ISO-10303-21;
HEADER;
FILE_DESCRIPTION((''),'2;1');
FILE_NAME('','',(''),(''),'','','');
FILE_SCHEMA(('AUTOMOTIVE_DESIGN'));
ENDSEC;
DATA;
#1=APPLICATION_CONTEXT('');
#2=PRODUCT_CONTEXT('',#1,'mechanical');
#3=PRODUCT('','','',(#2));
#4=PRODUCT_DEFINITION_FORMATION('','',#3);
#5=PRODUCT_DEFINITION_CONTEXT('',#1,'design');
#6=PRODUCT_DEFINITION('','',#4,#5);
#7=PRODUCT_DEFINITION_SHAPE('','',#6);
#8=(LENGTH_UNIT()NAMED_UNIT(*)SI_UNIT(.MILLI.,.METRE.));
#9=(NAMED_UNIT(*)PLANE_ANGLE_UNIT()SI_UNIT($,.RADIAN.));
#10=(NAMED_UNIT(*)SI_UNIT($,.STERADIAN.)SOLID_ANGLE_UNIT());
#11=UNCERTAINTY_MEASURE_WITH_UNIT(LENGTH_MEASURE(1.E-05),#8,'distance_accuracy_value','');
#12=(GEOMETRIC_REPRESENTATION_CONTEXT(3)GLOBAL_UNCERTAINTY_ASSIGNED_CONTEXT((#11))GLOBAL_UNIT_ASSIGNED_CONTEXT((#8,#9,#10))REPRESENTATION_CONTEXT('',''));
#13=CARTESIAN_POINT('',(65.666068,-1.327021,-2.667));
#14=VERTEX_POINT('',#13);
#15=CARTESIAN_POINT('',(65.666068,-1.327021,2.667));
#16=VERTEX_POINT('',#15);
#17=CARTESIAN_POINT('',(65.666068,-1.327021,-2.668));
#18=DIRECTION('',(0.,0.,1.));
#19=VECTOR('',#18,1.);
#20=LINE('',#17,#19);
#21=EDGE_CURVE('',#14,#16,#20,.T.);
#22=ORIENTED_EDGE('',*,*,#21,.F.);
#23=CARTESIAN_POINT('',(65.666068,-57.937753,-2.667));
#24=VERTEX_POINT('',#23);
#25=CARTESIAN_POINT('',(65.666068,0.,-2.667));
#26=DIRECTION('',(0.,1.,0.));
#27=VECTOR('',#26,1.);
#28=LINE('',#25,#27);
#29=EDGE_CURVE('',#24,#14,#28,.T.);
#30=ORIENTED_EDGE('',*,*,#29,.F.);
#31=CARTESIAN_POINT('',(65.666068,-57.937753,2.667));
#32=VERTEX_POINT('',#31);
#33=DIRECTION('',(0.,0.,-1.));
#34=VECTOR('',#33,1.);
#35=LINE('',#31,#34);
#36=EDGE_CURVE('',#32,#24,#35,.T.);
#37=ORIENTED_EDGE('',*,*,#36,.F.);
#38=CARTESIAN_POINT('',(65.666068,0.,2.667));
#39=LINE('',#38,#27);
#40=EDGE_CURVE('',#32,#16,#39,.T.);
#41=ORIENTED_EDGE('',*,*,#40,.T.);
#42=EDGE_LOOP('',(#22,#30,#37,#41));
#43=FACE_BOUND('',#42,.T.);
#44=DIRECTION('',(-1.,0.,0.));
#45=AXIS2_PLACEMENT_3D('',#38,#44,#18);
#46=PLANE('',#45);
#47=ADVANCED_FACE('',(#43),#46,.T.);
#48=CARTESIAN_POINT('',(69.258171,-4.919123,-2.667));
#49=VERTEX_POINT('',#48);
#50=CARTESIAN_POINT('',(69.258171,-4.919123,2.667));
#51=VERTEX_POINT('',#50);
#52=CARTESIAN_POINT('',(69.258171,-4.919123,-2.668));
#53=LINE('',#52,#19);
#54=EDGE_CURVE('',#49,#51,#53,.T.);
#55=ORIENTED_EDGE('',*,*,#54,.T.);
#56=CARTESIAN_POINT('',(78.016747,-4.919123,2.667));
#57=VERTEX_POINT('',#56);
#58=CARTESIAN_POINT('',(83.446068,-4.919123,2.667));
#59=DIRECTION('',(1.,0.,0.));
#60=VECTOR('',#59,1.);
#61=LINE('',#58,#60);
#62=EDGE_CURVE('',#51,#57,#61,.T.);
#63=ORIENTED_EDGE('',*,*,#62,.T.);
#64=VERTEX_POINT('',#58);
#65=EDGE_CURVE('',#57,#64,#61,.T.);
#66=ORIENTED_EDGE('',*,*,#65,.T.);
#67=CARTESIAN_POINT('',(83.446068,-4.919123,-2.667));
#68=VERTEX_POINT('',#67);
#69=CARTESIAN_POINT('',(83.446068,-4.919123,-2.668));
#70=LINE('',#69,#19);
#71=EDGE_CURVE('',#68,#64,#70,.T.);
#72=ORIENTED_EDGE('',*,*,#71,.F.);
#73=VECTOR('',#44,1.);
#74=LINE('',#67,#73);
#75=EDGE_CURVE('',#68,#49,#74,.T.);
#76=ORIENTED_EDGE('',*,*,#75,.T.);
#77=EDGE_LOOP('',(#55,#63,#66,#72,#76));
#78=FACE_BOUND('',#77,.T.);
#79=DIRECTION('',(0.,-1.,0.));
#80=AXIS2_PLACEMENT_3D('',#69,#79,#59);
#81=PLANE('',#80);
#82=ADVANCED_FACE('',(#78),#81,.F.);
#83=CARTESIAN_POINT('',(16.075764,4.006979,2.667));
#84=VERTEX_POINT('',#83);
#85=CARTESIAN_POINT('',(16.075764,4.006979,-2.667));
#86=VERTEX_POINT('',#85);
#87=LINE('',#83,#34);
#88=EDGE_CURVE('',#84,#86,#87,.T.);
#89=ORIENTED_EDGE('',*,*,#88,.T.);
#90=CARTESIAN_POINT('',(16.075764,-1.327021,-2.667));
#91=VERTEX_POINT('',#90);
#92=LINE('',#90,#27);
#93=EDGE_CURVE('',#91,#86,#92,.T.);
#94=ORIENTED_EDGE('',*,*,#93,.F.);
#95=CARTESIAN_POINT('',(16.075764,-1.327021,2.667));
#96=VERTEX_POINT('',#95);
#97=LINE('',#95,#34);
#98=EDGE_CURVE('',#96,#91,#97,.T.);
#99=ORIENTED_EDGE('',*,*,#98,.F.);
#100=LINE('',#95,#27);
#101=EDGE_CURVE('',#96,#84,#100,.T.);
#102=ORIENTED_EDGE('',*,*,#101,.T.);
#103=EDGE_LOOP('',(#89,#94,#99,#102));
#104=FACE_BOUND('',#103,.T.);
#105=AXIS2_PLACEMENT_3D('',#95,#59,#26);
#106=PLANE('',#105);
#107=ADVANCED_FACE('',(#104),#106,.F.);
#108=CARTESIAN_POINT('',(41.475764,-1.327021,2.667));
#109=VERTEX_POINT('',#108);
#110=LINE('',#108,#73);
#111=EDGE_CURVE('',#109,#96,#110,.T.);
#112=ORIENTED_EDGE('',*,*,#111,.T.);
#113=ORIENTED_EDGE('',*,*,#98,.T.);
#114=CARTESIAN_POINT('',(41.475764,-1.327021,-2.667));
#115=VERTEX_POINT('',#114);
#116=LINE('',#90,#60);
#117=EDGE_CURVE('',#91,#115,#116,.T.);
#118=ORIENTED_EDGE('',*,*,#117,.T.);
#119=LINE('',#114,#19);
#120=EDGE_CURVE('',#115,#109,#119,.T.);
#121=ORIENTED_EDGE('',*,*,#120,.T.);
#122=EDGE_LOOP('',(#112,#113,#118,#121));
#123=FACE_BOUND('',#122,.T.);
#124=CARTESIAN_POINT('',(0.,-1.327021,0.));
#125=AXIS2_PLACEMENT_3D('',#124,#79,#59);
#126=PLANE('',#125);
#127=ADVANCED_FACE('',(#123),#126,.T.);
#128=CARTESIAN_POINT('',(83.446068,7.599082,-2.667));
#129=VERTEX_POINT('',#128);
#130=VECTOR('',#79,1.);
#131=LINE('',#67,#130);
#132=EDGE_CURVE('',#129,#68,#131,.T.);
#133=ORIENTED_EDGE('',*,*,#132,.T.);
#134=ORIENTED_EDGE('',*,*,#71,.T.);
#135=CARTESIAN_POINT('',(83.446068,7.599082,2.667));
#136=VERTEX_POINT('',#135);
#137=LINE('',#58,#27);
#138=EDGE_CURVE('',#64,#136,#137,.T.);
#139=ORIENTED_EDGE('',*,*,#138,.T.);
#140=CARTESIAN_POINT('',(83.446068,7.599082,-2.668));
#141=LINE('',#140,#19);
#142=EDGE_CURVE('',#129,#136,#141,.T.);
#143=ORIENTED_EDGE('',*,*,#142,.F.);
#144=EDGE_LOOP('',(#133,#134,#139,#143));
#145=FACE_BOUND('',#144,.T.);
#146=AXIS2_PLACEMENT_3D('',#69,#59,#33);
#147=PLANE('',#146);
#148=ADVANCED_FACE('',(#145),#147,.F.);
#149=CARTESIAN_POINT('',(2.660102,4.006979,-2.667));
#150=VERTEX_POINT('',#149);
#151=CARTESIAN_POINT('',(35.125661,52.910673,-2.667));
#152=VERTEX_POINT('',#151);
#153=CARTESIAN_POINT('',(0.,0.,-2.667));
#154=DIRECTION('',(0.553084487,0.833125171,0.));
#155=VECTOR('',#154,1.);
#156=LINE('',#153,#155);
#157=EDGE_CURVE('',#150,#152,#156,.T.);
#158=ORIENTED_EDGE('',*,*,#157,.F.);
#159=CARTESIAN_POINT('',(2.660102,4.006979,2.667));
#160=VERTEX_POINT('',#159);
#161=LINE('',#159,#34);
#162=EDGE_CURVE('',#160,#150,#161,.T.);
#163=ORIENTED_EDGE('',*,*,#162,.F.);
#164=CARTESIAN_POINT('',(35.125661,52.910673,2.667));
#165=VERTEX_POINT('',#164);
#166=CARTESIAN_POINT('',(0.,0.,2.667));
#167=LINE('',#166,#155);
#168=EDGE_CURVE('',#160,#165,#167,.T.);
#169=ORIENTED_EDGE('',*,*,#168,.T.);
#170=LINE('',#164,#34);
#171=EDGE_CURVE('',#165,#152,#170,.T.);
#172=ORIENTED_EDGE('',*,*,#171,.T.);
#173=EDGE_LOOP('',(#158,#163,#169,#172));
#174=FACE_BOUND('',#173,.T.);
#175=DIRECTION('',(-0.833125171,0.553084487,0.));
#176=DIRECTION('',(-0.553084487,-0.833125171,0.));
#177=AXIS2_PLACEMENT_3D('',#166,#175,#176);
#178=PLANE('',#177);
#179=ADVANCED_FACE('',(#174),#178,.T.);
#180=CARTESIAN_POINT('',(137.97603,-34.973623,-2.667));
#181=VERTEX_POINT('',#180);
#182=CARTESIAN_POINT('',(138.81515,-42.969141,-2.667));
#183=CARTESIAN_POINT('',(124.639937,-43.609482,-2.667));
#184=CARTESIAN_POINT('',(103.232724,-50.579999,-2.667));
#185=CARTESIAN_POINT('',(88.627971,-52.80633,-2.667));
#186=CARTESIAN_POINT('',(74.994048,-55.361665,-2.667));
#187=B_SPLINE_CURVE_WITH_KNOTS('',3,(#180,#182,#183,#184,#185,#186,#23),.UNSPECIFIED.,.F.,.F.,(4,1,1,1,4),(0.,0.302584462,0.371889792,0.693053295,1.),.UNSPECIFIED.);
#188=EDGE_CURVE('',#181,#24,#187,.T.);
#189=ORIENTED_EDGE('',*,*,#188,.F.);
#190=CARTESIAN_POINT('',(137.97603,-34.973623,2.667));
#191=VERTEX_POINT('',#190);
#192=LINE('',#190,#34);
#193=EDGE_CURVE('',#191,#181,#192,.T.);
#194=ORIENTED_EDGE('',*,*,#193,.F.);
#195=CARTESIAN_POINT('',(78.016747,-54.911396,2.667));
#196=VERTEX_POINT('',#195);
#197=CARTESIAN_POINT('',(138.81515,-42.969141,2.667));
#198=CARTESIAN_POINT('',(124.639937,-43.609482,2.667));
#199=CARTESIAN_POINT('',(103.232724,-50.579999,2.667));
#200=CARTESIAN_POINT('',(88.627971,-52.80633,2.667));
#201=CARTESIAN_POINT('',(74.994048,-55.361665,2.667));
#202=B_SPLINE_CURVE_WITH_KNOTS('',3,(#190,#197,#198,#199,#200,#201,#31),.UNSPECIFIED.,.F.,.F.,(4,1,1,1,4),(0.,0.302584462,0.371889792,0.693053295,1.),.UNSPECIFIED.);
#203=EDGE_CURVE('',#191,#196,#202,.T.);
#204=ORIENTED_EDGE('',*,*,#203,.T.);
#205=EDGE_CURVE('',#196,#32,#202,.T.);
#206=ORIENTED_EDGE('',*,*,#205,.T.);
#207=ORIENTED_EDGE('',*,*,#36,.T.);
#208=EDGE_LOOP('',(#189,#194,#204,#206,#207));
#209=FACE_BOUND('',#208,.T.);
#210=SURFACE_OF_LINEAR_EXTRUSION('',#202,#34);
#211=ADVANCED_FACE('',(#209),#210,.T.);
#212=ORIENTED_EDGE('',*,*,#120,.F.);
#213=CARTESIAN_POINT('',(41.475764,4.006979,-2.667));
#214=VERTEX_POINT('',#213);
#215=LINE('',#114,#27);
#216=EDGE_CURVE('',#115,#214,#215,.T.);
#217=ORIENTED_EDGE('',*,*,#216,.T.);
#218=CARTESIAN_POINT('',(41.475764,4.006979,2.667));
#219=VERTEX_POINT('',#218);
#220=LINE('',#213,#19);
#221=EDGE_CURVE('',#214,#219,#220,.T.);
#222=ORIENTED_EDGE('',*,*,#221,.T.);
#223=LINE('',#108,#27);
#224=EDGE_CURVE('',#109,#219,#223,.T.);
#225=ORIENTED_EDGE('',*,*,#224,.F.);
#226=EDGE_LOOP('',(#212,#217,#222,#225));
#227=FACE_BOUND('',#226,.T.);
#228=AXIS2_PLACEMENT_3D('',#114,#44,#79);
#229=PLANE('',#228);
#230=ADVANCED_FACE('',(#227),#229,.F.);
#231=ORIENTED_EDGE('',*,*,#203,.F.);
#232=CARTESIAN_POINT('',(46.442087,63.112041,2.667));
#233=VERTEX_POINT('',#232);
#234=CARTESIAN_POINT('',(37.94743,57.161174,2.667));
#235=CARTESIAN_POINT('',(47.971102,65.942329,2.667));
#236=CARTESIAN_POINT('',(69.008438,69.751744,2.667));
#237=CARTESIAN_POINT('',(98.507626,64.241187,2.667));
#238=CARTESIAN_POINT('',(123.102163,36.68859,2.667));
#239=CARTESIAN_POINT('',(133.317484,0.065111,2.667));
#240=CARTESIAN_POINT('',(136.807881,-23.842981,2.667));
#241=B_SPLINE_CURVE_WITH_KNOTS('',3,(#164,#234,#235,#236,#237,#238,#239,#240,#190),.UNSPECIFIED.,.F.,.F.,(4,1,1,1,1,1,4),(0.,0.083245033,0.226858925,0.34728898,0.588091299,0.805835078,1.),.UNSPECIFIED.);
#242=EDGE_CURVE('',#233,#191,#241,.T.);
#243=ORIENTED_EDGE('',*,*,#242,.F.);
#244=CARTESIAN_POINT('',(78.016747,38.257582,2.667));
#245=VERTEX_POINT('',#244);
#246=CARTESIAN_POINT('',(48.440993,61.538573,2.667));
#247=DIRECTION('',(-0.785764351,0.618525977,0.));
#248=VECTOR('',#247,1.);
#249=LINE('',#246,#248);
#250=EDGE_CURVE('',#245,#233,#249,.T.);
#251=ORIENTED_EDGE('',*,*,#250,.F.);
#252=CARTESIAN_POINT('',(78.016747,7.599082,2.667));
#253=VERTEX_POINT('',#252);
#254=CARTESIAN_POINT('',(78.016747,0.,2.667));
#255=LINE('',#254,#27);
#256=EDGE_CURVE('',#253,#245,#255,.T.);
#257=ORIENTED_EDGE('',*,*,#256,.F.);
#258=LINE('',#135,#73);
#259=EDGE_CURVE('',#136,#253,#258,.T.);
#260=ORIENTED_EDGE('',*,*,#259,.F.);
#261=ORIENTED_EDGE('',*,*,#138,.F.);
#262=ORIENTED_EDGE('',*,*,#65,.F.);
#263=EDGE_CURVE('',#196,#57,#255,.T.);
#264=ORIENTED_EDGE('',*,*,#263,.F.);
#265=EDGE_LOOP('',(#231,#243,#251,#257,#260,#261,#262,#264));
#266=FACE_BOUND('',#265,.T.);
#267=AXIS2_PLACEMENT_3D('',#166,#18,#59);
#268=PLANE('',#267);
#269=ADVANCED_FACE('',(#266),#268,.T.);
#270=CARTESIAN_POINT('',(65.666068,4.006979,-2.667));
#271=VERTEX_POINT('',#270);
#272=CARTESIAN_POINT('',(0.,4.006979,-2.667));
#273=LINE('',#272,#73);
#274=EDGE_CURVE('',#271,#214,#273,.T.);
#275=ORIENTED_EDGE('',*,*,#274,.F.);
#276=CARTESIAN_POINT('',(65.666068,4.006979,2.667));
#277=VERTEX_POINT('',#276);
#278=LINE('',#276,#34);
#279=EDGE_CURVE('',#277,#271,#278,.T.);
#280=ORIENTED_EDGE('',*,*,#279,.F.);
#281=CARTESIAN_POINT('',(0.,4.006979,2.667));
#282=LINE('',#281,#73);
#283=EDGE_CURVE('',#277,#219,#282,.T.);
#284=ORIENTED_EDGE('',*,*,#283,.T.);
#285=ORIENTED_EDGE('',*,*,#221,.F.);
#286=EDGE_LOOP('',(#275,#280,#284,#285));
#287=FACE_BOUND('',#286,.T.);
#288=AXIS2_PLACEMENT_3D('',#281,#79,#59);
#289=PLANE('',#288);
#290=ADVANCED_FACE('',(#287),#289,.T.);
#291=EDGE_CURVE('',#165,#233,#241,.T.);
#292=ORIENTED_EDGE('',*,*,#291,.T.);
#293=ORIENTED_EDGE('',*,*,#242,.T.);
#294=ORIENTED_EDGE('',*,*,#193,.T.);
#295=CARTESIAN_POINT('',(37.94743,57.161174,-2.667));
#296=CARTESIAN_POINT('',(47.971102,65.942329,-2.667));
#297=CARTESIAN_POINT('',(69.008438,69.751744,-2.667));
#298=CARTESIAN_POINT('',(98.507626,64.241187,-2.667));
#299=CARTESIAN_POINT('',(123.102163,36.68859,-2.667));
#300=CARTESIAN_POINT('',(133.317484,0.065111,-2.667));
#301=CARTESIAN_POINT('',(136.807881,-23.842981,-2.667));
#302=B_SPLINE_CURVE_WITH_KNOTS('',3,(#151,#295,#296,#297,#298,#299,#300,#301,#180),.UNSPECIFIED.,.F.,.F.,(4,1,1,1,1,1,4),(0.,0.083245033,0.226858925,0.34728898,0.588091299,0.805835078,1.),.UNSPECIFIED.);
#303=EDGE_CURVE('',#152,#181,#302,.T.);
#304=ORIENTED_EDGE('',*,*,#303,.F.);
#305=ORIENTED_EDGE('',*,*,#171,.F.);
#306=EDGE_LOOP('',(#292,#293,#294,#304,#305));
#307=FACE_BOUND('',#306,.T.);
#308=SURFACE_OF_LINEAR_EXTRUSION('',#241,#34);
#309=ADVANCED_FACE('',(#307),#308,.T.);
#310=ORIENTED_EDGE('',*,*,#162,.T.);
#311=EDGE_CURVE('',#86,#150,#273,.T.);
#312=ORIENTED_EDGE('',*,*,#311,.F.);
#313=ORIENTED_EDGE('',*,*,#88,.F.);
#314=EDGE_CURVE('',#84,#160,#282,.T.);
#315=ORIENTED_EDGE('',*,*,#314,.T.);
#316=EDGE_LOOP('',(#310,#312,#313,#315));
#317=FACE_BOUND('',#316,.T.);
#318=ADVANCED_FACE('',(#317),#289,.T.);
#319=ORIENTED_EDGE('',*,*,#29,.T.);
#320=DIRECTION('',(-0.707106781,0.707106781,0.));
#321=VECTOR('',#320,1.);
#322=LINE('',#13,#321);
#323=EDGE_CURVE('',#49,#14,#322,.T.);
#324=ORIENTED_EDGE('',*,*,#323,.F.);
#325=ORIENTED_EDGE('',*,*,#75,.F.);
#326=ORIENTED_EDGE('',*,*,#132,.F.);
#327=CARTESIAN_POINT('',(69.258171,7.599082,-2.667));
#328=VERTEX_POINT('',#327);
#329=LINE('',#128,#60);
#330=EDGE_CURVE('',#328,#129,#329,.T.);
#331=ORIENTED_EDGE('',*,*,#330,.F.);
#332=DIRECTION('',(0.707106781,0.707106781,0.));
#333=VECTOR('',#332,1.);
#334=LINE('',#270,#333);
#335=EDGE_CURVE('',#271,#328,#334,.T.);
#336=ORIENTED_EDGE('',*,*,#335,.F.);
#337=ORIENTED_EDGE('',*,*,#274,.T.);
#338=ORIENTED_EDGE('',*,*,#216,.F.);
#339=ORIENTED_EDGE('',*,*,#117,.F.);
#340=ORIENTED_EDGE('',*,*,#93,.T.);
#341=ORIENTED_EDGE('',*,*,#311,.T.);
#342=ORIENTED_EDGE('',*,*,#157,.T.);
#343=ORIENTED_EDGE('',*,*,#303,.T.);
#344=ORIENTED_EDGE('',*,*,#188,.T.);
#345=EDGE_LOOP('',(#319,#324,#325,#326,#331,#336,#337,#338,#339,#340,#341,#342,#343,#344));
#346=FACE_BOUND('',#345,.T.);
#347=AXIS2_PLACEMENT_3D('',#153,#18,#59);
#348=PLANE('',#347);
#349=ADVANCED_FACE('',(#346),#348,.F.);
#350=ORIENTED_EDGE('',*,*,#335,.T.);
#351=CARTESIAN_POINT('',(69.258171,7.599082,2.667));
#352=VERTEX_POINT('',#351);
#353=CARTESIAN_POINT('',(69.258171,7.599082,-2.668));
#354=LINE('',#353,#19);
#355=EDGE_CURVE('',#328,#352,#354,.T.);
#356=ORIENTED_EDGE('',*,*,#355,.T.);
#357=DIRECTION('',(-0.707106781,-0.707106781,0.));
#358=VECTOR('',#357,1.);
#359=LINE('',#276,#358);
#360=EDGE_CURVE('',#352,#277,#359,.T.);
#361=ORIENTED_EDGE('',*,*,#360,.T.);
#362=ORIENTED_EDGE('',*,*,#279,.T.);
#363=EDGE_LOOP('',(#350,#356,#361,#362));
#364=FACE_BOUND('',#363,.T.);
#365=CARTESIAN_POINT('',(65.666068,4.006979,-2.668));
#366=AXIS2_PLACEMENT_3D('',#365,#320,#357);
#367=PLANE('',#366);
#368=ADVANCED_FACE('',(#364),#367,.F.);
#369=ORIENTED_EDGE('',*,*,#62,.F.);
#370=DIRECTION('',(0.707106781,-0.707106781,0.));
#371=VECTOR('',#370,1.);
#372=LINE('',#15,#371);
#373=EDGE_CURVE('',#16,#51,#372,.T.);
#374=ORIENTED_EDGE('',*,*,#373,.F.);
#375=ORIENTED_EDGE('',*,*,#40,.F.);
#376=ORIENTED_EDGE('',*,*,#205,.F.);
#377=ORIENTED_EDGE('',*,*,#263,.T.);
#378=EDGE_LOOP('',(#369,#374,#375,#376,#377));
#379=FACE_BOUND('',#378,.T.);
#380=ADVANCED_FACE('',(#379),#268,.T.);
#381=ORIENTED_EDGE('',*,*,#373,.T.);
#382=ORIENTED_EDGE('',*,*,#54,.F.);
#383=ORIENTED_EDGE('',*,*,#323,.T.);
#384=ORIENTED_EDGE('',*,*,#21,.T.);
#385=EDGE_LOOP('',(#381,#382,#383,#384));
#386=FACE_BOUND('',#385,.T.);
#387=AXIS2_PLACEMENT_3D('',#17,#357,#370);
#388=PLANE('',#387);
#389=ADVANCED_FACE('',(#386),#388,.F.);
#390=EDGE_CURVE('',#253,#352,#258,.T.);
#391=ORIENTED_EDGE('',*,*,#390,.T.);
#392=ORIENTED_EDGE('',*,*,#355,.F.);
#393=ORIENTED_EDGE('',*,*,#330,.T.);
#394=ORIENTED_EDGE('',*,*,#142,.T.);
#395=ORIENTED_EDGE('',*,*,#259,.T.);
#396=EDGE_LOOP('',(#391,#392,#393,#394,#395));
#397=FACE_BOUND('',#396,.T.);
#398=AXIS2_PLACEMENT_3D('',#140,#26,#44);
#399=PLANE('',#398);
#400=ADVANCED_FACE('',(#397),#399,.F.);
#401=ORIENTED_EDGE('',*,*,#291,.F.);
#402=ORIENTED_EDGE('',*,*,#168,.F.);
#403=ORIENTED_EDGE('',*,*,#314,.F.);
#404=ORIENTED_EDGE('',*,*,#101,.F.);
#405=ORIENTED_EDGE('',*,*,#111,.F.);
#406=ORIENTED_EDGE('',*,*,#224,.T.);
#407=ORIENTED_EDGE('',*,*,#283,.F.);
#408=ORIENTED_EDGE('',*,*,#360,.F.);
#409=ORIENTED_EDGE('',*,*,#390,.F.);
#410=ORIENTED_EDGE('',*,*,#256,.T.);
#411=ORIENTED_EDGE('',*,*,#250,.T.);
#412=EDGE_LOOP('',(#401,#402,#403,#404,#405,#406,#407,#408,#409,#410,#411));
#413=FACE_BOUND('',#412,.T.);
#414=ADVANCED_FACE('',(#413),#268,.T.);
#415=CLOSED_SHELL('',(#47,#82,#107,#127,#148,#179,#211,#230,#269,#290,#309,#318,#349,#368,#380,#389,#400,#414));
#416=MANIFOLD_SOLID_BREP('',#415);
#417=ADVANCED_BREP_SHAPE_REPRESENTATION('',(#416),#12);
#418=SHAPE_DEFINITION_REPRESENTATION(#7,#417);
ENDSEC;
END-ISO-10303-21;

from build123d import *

# Parameters (mm, degrees)
BOSS_EXTRUDE1_DEPTH       = 2.667
SKETCH2_W                 = 25.4
SKETCH2_H                 = 5.334
ELEVATOR_TAB_DEPTH        = 5.334
ELEVATOR_THROW_SLOT_REACH = 7.334


with BuildPart() as part:
    # Sketch1 → Boss-Extrude1 (new body, symmetric)
    with BuildSketch(Plane.XY):
        with BuildLine():
            Line((2.660102258, 4.006979402), (35.125661289, 52.910673204))
            add(Edge.make_bspline(
                [(35.125661289, 52.910673204), (37.94742964, 57.161174336), (47.971102481, 65.942329117), (69.008437841, 69.751744098), (98.507626417, 64.241187451), (123.102162867, 36.688590277), (133.317484482, 0.065110923), (136.807881475, -23.842980811), (137.976029916, -34.973623487)],
                knots=[0, 0, 0, 0, 0.083245033, 0.226858925, 0.34728898, 0.588091299, 0.805835078, 1, 1, 1, 1], degree=3))
            add(Edge.make_bspline(
                [(137.976029916, -34.973623487), (138.815150475, -42.969140814), (124.639937031, -43.609481638), (103.232724243, -50.579998556), (88.627971228, -52.80632971), (74.994048295, -55.361665029), (65.666068366, -57.937752933)],
                knots=[0, 0, 0, 0, 0.302584462, 0.371889792, 0.693053295, 1, 1, 1, 1], degree=3))
            Line((65.666068366, -57.937752933), (65.666068366, 0))
            Line((65.666068366, 0), (65.666068366, 4.006979402))
            Line((65.666068366, 4.006979402), (2.660102258, 4.006979402))
        make_face()
    extrude(amount=BOSS_EXTRUDE1_DEPTH, both=True)

    # Sketch2 → Elevator Tab (add)
    with BuildSketch(Plane.XZ.offset(-4.006979402)):
        with Locations((28.775764126, 0)):
            Rectangle(SKETCH2_W, SKETCH2_H)
    extrude(amount=ELEVATOR_TAB_DEPTH)

    # Sketch3 → Elevator Throw Slot (cut, up to next)
    with BuildSketch(Plane.XY.offset(2.667), mode=Mode.PRIVATE) as elevator_throw_slot_sk1:
        Polygon((65.666068366, 4.006979402), (69.258170815, 7.599081851), (83.446068366, 7.599081851), (83.446068366, -4.919123046), (69.258170815, -4.919123046), (65.666068366, -1.327020598), align=None)
    elevator_throw_slot_tool1 = extrude(elevator_throw_slot_sk1.sketch, amount=-ELEVATOR_THROW_SLOT_REACH, mode=Mode.PRIVATE) & part.part
    add(elevator_throw_slot_tool1.solids().sort_by_distance((75.029476, 1.339979, 2.667))[0], mode=Mode.SUBTRACT)


solid = part.part
